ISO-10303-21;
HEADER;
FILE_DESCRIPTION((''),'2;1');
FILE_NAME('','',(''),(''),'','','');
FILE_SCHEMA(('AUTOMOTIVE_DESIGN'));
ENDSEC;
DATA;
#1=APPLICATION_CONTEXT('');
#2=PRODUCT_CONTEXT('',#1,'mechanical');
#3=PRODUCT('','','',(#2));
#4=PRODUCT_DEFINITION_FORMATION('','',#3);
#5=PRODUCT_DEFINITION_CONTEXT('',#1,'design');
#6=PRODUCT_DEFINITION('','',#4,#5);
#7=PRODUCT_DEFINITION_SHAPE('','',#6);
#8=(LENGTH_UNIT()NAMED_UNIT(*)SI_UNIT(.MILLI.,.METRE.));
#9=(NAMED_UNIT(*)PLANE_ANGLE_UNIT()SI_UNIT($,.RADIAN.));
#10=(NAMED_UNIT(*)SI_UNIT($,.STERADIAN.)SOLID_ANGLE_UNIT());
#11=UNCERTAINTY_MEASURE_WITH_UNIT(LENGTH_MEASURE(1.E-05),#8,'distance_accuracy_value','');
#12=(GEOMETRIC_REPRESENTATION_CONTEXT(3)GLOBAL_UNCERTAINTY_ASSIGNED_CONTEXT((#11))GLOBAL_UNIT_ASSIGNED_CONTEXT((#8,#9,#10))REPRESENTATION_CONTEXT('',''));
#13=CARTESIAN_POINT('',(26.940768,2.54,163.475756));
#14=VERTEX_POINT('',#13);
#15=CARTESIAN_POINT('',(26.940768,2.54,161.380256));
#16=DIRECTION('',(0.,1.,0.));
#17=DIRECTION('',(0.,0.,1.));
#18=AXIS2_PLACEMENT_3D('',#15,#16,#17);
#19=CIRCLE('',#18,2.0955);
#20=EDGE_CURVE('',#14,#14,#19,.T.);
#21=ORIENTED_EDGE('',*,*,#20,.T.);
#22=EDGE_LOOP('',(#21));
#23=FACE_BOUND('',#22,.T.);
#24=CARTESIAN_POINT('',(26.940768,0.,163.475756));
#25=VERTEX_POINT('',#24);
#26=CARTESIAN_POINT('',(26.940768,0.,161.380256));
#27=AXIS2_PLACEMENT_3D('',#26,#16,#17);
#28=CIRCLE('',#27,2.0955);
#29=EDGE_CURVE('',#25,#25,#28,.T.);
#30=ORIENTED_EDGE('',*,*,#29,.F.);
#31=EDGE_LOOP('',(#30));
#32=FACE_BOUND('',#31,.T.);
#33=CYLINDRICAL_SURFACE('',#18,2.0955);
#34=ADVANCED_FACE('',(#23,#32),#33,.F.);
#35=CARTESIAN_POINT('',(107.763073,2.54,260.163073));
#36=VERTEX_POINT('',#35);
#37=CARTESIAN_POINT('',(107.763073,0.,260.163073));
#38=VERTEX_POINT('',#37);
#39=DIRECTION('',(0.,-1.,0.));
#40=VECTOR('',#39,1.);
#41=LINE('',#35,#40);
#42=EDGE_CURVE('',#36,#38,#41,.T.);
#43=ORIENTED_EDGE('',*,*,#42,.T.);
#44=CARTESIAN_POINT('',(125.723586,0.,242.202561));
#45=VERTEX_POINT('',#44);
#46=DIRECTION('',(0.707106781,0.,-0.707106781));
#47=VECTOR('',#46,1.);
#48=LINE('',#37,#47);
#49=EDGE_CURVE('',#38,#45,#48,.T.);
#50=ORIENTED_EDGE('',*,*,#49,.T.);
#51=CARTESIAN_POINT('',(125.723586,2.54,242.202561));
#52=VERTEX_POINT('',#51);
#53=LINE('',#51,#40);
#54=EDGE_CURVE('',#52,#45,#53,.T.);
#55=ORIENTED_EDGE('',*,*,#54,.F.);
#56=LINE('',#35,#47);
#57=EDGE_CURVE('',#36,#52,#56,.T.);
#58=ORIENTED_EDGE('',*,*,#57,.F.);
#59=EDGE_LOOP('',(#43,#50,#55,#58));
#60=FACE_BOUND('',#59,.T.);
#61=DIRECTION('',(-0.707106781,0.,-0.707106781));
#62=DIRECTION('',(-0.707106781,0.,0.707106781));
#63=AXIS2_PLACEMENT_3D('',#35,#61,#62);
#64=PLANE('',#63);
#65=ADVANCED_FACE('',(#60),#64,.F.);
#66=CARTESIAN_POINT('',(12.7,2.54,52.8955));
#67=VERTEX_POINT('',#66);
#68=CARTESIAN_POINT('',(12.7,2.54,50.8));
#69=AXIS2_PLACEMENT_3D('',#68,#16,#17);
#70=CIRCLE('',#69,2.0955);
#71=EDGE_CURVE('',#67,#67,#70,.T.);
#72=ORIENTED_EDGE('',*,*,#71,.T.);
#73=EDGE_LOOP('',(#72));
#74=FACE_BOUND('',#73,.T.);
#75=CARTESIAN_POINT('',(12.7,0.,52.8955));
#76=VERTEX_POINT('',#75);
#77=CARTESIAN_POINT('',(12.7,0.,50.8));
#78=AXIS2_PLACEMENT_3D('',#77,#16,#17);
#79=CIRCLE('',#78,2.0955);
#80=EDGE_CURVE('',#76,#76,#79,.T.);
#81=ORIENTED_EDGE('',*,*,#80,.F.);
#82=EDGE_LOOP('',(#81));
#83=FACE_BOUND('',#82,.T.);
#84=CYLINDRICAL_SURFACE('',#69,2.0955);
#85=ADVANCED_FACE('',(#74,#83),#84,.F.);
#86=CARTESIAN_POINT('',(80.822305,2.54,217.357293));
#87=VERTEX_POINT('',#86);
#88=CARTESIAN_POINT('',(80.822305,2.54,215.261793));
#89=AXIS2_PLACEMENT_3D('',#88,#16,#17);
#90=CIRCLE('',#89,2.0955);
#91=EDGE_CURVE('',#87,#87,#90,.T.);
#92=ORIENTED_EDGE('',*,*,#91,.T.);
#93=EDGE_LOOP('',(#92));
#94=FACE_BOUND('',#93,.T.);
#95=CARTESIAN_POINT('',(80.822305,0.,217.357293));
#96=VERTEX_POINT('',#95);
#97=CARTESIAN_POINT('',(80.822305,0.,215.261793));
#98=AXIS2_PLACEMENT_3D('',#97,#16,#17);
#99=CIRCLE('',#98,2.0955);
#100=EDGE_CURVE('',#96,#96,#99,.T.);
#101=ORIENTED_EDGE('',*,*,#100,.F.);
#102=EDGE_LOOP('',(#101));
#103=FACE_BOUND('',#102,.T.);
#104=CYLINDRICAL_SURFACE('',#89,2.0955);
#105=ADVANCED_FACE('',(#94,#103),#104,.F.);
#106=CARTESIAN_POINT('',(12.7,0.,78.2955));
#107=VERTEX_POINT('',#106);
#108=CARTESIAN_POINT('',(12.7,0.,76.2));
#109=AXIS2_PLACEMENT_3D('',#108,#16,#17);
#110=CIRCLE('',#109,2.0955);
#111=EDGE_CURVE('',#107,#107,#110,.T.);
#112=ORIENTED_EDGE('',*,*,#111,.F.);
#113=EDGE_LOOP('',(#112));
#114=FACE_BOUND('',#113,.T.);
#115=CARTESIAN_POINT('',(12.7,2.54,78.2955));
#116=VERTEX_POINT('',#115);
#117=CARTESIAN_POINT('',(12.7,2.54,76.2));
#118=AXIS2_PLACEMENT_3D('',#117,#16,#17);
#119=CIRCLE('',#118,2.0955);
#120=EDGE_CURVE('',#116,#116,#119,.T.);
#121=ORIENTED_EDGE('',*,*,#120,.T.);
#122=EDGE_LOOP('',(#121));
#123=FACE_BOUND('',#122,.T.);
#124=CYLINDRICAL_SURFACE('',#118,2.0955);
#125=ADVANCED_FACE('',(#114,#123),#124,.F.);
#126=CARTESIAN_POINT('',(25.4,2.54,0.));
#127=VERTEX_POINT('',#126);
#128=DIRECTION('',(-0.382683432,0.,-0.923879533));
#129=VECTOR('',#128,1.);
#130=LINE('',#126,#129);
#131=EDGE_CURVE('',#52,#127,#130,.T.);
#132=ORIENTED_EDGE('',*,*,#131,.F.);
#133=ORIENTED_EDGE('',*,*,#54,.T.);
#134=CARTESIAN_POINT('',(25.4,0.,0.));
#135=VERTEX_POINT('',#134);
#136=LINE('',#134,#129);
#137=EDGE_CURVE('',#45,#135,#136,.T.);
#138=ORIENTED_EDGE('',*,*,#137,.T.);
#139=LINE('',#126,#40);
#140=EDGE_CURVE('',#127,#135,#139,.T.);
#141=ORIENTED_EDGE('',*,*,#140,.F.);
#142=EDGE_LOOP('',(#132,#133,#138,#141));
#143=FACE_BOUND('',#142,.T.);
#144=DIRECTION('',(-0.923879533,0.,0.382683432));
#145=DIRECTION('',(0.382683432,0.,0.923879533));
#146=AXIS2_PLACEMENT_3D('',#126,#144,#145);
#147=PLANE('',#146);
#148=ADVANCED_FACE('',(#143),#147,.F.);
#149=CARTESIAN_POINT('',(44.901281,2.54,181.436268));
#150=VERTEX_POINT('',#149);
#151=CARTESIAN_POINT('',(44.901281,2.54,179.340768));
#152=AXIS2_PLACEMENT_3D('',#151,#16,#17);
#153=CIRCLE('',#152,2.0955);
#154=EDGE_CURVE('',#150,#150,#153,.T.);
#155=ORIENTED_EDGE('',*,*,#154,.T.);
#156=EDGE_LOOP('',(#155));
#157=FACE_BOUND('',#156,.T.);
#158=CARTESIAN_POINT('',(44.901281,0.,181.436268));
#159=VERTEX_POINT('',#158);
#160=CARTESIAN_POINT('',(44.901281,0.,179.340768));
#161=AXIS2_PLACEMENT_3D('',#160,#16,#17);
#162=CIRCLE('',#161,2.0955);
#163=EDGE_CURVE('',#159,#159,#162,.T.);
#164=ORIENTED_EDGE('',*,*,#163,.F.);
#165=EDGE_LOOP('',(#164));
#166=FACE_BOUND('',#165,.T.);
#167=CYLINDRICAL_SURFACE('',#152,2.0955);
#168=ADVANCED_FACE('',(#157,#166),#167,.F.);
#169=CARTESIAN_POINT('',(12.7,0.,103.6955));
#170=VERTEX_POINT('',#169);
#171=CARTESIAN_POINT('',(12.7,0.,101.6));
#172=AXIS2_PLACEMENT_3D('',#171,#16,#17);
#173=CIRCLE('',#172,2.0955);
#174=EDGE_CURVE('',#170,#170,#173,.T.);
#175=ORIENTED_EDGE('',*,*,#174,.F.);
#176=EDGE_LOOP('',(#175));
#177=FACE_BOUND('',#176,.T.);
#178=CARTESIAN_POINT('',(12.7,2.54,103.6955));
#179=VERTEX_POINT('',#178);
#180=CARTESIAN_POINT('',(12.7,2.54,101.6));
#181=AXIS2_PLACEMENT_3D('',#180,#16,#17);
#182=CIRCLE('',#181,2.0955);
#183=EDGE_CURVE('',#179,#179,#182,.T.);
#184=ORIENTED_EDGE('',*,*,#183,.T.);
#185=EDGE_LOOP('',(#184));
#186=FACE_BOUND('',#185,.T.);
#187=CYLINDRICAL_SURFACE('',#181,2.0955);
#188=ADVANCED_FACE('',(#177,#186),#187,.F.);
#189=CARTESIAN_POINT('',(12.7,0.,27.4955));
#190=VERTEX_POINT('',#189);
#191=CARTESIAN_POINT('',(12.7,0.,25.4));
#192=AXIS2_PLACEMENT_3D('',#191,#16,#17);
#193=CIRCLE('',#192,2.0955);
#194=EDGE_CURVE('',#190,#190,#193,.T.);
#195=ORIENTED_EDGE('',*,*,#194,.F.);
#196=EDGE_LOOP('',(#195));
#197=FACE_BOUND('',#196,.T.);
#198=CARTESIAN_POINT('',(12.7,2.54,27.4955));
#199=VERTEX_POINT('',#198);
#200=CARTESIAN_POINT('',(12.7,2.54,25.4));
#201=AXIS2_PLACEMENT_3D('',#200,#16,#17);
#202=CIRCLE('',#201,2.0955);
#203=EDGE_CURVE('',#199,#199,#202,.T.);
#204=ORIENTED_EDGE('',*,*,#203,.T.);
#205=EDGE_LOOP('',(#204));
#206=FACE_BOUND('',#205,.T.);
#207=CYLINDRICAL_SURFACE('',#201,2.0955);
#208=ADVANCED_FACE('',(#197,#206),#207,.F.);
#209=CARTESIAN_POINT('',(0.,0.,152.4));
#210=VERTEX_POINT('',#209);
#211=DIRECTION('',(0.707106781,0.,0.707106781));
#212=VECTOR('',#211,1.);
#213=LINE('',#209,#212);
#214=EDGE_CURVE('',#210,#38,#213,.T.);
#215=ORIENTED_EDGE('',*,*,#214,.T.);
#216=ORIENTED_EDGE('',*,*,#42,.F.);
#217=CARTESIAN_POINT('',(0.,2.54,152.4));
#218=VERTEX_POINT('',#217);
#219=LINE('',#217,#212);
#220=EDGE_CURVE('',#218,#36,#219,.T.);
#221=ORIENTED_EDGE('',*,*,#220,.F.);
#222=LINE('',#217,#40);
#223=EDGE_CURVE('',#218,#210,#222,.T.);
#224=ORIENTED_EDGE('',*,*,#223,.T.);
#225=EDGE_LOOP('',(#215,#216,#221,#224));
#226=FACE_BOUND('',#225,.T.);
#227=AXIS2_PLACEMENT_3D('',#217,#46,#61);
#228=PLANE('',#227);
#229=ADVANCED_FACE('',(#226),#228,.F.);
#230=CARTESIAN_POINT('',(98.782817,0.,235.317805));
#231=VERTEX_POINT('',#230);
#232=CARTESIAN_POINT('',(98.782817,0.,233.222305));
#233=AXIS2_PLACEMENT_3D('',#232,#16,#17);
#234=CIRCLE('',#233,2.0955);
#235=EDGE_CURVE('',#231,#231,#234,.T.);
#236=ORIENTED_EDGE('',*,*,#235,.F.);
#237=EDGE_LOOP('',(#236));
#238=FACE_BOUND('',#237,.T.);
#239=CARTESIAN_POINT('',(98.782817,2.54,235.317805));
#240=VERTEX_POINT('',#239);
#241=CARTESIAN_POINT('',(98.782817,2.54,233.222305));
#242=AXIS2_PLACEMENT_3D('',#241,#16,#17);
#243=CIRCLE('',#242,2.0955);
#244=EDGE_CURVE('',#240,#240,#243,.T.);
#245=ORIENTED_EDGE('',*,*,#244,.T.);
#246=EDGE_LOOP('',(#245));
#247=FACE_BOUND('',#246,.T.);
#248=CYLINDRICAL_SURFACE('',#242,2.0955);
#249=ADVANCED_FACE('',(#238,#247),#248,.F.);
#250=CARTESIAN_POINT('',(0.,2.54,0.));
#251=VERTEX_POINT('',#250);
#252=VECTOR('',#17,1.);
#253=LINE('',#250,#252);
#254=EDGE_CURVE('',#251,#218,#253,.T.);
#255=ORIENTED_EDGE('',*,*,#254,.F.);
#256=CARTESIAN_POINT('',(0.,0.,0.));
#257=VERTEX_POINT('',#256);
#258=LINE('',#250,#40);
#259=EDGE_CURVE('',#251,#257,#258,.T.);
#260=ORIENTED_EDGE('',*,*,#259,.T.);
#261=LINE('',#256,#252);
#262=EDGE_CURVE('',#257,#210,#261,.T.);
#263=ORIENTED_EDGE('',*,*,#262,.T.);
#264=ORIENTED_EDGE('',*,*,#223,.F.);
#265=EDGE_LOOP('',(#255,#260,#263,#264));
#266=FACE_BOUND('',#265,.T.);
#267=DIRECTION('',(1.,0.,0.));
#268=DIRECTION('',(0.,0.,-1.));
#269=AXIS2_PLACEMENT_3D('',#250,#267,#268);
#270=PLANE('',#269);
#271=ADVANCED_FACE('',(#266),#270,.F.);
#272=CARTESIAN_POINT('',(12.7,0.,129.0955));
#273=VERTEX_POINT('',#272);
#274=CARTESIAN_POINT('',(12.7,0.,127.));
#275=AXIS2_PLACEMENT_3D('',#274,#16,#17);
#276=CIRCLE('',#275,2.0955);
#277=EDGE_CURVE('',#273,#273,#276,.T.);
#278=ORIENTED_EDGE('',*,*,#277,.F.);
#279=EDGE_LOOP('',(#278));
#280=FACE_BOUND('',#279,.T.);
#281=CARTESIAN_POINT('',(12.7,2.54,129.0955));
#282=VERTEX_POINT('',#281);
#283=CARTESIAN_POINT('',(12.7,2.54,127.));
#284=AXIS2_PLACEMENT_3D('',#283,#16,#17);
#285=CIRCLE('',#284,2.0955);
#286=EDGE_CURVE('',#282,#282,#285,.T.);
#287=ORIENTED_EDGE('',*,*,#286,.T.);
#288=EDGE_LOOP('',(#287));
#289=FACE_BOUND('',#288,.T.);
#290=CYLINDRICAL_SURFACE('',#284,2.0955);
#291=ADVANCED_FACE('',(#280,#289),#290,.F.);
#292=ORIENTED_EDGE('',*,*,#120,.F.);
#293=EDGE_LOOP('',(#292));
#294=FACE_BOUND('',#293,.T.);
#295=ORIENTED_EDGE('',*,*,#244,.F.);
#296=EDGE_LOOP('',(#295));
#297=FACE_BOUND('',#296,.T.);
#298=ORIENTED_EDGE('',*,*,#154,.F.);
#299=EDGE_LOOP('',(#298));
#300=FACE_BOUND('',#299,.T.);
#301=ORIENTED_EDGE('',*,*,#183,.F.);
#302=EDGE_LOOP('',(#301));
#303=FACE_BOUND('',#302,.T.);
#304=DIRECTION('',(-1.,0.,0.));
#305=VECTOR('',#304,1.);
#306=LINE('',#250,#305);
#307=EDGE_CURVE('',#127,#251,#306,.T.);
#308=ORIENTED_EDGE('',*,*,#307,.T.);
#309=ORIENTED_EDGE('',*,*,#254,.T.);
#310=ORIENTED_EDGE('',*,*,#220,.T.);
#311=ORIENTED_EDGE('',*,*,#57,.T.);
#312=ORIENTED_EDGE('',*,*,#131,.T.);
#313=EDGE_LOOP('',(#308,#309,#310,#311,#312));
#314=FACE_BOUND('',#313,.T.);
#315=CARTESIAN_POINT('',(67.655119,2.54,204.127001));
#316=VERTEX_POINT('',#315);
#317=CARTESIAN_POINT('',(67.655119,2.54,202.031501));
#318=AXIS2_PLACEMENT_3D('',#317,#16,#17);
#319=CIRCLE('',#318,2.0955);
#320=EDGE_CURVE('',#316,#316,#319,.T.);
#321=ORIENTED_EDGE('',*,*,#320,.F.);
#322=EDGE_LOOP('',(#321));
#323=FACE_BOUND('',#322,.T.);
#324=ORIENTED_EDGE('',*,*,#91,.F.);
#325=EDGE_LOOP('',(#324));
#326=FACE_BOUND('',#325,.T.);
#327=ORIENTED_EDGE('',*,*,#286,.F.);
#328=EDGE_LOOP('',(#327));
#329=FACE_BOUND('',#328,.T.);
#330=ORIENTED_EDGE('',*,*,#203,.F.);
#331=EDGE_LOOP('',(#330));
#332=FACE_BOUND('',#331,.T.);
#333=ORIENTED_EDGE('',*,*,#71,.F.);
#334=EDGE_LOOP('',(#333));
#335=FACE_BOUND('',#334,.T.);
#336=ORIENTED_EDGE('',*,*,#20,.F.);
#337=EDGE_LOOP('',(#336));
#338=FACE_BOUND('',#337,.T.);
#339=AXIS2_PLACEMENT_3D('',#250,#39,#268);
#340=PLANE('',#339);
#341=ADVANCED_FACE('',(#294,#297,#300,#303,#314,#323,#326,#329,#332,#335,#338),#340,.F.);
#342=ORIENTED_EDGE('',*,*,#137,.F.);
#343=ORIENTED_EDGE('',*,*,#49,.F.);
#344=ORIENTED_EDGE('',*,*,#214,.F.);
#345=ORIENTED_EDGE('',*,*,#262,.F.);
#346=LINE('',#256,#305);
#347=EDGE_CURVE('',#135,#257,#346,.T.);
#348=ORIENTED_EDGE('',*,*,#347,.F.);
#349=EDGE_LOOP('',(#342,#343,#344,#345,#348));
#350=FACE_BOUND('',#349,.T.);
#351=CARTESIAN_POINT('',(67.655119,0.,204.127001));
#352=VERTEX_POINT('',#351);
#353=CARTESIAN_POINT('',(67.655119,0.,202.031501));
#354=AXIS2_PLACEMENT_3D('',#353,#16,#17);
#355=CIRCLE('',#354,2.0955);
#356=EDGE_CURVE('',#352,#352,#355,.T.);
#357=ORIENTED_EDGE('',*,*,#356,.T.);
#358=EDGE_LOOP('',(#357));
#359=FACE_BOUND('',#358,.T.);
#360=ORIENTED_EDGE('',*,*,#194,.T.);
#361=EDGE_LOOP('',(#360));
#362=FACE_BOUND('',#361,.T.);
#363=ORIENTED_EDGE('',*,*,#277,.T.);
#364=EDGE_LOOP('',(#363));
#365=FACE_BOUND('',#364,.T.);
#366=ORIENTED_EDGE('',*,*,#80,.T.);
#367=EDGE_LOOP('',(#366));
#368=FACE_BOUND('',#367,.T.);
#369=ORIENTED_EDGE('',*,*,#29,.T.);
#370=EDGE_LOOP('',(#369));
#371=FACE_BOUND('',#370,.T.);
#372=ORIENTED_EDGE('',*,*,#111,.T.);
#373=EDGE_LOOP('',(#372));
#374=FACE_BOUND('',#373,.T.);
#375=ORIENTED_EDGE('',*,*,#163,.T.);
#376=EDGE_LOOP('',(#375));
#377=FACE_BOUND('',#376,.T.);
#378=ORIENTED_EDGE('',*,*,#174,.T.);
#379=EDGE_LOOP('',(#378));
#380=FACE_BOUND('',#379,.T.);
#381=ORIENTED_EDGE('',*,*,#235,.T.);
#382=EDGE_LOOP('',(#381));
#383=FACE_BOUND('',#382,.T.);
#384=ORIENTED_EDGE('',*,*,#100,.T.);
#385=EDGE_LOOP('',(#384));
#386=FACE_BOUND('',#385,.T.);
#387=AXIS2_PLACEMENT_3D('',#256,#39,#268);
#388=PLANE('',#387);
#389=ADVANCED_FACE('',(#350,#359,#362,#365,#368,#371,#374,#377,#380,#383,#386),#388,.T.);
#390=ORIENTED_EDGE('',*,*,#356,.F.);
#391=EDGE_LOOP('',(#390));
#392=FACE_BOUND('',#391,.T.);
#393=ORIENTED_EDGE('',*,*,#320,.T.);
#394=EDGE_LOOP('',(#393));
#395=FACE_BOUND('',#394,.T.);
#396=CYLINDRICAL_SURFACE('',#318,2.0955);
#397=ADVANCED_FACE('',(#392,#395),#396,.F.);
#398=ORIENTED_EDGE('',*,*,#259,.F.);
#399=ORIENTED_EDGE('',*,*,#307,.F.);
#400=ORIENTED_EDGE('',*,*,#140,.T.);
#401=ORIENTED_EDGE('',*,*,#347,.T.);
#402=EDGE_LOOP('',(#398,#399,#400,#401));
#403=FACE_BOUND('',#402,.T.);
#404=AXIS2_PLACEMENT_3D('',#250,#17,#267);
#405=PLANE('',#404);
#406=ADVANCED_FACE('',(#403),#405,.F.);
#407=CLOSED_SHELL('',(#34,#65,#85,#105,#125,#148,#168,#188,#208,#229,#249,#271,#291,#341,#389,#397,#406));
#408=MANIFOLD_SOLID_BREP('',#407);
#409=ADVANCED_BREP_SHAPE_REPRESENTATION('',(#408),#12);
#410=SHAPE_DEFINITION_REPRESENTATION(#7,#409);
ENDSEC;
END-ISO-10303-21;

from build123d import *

# Parameters (mm, degrees)
BOSS_EXTRUDE1_DEPTH        = 2.54
F_8_0_199_DIAMETER_HOLE1_D = 4.191


with BuildPart() as part:
    # Sketch1 → Boss-Extrude1 (new body)
    with BuildSketch(Plane(origin=(0, 0, 0), x_dir=(1, 0, 0), z_dir=(0, 1, 0))):
        Polygon((0, 0), (0, -152.4), (107.763073453, -260.163073453), (125.723585695, -242.202561211), (25.4, 0), align=None)
    extrude(amount=BOSS_EXTRUDE1_DEPTH)

    # #8 (0.199) Diameter Hole1 (through all)
    with Locations(Plane(origin=(0, 2.54, 0), x_dir=(1, 0, 0), z_dir=(0, 1, 0))):
        with Locations((12.7, -25.4), (12.7, -50.8), (12.7, -76.2), (12.7, -101.6), (12.7, -127), (26.940768363, -161.380256121), (44.901280605, -179.340768363), (67.655118698, -202.03150109), (80.82230509, -215.261792847), (98.782817332, -233.22230509)):
            Hole(F_8_0_199_DIAMETER_HOLE1_D / 2)


solid = part.part
